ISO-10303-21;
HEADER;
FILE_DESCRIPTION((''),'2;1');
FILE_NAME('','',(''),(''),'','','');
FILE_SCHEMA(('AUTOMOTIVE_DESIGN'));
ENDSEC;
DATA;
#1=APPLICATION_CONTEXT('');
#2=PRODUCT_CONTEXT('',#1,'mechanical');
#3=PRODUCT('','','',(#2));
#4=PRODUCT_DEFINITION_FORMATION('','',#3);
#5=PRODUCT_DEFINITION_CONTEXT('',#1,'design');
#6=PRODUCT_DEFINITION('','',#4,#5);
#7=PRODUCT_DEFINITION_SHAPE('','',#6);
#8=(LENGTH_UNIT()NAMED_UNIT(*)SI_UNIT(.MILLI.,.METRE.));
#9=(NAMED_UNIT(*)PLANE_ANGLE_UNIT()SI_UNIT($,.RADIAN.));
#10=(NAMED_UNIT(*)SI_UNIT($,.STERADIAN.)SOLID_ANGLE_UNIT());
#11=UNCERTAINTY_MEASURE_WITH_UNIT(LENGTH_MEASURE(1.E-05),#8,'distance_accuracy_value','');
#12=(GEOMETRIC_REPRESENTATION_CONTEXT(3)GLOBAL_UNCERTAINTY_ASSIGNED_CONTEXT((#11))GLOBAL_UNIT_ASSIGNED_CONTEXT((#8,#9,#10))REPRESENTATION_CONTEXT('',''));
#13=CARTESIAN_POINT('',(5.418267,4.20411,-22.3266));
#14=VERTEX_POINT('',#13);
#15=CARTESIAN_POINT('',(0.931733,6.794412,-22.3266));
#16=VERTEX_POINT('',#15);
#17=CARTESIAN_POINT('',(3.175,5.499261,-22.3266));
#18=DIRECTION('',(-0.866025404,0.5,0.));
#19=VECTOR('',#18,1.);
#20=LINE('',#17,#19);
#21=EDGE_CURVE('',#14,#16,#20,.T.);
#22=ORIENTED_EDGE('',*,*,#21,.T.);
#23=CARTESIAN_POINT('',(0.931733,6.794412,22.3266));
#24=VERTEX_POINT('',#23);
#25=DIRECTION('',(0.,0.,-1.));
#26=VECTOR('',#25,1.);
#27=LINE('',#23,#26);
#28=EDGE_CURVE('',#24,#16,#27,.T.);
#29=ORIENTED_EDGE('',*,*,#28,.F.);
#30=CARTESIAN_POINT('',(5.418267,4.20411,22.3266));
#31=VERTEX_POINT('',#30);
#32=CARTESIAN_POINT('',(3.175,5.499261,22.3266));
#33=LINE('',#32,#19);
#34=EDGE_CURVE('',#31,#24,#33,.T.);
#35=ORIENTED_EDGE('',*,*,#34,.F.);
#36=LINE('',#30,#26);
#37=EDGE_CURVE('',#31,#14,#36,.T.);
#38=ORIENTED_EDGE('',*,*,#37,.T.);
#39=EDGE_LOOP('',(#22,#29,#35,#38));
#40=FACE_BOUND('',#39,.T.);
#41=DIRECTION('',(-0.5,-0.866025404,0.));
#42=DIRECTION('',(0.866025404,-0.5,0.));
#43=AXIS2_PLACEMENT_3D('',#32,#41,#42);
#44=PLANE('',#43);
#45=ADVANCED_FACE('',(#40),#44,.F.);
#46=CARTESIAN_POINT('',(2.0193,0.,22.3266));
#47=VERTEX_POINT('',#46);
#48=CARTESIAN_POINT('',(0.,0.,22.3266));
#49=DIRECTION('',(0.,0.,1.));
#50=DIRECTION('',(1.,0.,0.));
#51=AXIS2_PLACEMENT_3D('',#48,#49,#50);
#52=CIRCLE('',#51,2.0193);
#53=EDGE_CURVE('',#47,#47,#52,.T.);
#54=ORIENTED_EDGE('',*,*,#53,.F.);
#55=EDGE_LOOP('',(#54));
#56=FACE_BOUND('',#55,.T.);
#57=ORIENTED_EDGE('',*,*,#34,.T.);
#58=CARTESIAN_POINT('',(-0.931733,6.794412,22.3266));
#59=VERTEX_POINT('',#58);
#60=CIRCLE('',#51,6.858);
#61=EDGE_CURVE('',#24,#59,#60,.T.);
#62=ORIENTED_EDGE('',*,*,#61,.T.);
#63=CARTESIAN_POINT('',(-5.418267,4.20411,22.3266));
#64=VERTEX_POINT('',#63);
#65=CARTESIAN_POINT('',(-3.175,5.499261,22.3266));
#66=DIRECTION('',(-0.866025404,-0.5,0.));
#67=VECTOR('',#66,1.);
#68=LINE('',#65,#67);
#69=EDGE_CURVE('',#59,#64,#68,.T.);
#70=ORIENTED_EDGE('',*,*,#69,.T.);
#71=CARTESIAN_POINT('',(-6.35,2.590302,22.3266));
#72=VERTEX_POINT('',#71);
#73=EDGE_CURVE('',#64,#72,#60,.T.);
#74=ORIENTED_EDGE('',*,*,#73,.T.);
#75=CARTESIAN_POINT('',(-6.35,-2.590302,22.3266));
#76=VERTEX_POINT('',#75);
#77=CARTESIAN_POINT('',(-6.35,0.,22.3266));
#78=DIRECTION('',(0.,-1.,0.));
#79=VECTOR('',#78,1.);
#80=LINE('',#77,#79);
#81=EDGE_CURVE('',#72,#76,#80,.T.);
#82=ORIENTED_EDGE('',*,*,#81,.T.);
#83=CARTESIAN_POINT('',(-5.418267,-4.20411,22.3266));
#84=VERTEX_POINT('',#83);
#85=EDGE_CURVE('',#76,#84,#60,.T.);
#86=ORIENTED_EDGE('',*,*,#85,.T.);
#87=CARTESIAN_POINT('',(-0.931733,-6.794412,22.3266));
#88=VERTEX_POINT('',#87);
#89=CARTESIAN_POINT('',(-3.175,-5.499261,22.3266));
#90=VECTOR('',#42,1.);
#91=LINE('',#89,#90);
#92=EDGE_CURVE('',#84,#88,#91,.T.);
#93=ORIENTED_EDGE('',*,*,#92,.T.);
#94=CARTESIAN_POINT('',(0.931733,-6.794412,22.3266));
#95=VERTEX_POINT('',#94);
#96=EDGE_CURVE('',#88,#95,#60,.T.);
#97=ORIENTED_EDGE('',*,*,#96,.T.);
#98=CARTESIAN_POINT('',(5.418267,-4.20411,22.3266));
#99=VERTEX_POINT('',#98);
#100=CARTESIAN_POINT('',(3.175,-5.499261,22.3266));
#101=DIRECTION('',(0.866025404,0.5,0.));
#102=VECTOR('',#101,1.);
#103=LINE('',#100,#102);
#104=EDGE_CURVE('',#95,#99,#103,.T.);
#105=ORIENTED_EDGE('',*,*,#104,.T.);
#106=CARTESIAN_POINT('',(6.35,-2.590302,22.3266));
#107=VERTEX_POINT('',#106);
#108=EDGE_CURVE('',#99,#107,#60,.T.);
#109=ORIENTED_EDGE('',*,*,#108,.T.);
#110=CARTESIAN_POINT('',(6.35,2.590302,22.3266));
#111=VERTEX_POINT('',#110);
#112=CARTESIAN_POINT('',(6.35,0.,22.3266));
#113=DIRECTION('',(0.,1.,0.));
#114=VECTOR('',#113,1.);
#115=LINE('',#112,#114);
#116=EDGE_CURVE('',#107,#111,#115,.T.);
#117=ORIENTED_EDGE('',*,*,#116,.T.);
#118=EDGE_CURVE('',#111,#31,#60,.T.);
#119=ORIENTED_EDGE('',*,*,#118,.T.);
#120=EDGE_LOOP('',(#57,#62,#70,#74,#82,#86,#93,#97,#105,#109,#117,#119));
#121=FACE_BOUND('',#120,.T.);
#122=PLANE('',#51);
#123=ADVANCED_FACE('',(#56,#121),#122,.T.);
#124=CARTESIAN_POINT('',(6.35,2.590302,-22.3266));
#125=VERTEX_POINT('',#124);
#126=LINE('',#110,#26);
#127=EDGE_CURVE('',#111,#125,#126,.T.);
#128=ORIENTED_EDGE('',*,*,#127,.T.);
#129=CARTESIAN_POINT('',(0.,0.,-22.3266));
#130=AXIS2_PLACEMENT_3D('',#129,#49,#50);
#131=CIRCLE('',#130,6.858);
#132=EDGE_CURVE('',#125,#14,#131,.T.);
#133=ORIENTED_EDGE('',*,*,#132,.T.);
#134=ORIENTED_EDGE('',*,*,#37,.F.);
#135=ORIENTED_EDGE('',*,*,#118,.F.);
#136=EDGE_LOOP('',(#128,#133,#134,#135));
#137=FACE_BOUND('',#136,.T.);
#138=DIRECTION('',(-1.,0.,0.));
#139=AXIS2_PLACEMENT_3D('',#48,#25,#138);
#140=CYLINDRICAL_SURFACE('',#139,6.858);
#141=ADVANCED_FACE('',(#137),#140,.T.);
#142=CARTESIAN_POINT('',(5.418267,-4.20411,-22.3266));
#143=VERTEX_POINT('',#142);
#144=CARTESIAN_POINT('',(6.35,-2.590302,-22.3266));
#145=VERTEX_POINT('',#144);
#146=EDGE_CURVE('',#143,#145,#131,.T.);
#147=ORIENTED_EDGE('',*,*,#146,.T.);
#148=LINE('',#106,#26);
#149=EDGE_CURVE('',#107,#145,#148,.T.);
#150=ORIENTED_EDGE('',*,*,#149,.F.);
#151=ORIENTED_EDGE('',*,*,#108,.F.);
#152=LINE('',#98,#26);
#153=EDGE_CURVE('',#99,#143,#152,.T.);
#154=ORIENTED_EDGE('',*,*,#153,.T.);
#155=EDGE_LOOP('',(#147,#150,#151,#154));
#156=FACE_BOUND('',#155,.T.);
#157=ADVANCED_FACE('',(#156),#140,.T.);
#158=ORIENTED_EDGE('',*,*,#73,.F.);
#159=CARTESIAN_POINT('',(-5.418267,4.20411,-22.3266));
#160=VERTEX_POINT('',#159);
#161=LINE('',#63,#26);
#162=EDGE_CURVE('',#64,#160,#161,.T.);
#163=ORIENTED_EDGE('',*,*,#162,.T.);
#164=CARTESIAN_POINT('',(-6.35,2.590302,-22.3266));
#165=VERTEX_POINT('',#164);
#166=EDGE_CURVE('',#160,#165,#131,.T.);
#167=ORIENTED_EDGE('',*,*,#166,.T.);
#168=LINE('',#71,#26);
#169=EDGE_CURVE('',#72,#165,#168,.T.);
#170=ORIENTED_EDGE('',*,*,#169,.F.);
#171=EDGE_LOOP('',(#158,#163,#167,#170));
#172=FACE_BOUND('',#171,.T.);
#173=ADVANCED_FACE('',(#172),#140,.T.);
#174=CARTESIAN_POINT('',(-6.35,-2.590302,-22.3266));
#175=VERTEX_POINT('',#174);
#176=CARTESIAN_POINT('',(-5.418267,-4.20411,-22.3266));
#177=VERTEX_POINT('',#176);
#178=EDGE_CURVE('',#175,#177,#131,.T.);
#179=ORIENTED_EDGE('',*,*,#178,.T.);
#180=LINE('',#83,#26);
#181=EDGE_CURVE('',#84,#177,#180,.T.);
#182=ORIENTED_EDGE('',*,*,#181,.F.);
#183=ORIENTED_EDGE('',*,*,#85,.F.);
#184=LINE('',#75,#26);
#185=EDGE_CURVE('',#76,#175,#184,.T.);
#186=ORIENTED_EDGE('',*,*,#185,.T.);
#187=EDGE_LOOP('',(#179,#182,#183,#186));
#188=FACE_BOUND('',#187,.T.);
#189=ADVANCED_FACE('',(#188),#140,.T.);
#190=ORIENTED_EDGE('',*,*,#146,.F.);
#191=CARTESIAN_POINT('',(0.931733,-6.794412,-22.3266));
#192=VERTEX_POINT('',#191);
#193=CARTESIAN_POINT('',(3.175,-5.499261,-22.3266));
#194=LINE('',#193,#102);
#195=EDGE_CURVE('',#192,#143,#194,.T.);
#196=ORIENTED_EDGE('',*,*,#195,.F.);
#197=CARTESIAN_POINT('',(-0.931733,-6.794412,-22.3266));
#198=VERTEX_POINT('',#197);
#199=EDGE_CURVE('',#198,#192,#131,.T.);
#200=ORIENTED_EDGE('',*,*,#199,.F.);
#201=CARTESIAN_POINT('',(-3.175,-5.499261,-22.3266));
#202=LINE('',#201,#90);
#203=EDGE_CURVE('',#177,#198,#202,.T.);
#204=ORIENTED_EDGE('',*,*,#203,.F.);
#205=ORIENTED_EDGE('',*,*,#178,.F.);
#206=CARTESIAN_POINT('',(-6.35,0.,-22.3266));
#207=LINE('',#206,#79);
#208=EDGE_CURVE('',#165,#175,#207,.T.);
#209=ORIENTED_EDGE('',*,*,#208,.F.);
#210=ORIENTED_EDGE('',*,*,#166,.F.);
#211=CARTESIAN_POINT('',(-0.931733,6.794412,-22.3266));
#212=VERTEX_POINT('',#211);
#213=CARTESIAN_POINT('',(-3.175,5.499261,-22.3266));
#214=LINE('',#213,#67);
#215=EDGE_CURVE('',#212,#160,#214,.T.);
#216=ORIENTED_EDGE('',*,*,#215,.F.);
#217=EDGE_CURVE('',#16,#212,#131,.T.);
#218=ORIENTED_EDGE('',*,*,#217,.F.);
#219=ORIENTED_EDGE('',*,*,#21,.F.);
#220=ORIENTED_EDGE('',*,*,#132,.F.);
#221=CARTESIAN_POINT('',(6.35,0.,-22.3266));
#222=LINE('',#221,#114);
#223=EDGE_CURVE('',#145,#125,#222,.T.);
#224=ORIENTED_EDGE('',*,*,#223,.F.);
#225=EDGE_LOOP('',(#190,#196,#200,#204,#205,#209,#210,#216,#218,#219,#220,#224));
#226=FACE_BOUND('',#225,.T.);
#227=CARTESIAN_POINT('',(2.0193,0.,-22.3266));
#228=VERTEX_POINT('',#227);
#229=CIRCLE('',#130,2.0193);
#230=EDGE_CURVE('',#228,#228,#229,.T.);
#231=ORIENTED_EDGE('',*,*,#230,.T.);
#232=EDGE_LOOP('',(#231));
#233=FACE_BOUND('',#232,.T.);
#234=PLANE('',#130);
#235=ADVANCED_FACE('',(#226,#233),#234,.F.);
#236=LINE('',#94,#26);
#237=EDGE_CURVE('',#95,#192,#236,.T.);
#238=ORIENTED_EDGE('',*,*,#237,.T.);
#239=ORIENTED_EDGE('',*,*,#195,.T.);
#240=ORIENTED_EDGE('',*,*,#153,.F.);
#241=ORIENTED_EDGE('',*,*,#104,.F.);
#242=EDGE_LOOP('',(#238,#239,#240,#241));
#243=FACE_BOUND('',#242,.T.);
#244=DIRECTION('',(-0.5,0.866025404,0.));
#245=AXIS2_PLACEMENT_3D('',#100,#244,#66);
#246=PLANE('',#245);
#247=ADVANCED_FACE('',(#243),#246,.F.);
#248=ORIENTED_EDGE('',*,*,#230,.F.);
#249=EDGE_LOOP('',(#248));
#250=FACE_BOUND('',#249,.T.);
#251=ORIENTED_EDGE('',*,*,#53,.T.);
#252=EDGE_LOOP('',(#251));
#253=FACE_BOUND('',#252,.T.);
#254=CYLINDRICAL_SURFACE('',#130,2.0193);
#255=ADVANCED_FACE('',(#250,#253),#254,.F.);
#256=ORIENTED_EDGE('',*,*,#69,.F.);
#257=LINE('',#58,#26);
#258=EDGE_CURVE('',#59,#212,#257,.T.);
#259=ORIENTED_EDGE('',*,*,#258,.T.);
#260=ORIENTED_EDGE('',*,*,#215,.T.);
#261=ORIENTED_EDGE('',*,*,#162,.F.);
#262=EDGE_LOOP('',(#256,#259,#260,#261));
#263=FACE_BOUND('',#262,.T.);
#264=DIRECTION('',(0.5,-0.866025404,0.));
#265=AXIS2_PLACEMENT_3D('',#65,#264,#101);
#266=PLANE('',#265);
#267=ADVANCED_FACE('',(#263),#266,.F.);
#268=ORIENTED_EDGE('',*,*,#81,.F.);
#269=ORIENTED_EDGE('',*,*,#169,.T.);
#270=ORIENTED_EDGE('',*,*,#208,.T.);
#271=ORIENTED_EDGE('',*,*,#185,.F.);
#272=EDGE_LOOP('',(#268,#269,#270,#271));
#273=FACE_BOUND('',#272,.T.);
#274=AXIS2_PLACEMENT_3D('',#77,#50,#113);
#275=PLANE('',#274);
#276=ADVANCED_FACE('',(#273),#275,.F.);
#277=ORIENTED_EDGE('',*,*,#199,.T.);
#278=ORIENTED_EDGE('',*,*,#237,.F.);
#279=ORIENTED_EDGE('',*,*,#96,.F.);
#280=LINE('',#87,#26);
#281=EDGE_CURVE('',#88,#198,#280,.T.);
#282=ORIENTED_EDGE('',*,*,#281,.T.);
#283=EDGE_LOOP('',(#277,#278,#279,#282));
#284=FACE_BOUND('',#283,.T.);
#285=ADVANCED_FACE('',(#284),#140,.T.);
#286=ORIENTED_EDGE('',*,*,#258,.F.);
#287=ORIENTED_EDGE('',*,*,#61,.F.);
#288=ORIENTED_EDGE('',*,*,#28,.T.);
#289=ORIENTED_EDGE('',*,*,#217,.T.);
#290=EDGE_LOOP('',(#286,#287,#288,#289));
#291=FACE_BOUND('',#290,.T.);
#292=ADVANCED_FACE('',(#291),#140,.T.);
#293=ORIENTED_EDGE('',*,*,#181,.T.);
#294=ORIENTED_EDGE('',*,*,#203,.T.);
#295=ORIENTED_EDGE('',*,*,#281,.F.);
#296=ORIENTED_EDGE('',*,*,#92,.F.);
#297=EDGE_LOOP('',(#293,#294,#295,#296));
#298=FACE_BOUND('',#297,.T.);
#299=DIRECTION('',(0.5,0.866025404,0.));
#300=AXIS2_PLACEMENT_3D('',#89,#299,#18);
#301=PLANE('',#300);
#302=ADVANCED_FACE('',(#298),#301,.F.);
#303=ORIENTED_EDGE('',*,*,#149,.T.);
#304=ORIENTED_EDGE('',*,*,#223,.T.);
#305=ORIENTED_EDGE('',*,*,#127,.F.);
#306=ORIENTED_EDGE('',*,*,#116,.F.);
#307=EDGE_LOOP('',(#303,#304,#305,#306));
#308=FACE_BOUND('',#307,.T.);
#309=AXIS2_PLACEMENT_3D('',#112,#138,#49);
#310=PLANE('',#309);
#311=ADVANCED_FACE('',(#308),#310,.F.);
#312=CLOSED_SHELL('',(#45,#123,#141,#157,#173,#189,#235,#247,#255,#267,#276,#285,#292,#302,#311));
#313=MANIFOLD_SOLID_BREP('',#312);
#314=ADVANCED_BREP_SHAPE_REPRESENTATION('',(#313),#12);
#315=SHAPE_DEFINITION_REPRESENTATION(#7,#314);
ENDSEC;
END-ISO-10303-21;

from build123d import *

# Parameters (mm, degrees)
BOSS_EXTRUDE1_DEPTH = 22.3266
SKETCH2_R           = 2.0193
CUT_EXTRUDE1_DEPTH  = 46.620860735


with BuildPart() as part:
    # Sketch1 → Boss-Extrude1 (new, symmetric)
    with BuildSketch(Plane.XY):
        with BuildLine():
            ThreePointArc((0.93173274, 6.79441227), (0, 6.858), (-0.93173274, 6.79441227))
            Line((-0.93173274, 6.79441227), (-5.41826726, 4.204110358))
            ThreePointArc((-5.41826726, 4.204110358), (-5.939202219, 3.429), (-6.35, 2.590301913))
            Line((-6.35, 2.590301913), (-6.35, -2.590301913))
            ThreePointArc((-6.35, -2.590301913), (-5.939202219, -3.429), (-5.41826726, -4.204110358))
            Line((-5.41826726, -4.204110358), (-0.93173274, -6.79441227))
            ThreePointArc((-0.93173274, -6.79441227), (0, -6.858), (0.93173274, -6.79441227))
            Line((0.93173274, -6.79441227), (5.41826726, -4.204110358))
            ThreePointArc((5.41826726, -4.204110358), (5.939202219, -3.429), (6.35, -2.590301913))
            Line((6.35, -2.590301913), (6.35, 2.590301913))
            ThreePointArc((6.35, 2.590301913), (5.939202219, 3.429), (5.41826726, 4.204110358))
            Line((5.41826726, 4.204110358), (0.93173274, 6.79441227))
        make_face()
    extrude(amount=BOSS_EXTRUDE1_DEPTH, both=True)

    # Sketch2 → Cut-Extrude1 (cut, through all)
    with BuildSketch(Plane.XY.offset(22.3266)):
        Circle(SKETCH2_R)
    extrude(amount=-CUT_EXTRUDE1_DEPTH, mode=Mode.SUBTRACT)


solid = part.part
